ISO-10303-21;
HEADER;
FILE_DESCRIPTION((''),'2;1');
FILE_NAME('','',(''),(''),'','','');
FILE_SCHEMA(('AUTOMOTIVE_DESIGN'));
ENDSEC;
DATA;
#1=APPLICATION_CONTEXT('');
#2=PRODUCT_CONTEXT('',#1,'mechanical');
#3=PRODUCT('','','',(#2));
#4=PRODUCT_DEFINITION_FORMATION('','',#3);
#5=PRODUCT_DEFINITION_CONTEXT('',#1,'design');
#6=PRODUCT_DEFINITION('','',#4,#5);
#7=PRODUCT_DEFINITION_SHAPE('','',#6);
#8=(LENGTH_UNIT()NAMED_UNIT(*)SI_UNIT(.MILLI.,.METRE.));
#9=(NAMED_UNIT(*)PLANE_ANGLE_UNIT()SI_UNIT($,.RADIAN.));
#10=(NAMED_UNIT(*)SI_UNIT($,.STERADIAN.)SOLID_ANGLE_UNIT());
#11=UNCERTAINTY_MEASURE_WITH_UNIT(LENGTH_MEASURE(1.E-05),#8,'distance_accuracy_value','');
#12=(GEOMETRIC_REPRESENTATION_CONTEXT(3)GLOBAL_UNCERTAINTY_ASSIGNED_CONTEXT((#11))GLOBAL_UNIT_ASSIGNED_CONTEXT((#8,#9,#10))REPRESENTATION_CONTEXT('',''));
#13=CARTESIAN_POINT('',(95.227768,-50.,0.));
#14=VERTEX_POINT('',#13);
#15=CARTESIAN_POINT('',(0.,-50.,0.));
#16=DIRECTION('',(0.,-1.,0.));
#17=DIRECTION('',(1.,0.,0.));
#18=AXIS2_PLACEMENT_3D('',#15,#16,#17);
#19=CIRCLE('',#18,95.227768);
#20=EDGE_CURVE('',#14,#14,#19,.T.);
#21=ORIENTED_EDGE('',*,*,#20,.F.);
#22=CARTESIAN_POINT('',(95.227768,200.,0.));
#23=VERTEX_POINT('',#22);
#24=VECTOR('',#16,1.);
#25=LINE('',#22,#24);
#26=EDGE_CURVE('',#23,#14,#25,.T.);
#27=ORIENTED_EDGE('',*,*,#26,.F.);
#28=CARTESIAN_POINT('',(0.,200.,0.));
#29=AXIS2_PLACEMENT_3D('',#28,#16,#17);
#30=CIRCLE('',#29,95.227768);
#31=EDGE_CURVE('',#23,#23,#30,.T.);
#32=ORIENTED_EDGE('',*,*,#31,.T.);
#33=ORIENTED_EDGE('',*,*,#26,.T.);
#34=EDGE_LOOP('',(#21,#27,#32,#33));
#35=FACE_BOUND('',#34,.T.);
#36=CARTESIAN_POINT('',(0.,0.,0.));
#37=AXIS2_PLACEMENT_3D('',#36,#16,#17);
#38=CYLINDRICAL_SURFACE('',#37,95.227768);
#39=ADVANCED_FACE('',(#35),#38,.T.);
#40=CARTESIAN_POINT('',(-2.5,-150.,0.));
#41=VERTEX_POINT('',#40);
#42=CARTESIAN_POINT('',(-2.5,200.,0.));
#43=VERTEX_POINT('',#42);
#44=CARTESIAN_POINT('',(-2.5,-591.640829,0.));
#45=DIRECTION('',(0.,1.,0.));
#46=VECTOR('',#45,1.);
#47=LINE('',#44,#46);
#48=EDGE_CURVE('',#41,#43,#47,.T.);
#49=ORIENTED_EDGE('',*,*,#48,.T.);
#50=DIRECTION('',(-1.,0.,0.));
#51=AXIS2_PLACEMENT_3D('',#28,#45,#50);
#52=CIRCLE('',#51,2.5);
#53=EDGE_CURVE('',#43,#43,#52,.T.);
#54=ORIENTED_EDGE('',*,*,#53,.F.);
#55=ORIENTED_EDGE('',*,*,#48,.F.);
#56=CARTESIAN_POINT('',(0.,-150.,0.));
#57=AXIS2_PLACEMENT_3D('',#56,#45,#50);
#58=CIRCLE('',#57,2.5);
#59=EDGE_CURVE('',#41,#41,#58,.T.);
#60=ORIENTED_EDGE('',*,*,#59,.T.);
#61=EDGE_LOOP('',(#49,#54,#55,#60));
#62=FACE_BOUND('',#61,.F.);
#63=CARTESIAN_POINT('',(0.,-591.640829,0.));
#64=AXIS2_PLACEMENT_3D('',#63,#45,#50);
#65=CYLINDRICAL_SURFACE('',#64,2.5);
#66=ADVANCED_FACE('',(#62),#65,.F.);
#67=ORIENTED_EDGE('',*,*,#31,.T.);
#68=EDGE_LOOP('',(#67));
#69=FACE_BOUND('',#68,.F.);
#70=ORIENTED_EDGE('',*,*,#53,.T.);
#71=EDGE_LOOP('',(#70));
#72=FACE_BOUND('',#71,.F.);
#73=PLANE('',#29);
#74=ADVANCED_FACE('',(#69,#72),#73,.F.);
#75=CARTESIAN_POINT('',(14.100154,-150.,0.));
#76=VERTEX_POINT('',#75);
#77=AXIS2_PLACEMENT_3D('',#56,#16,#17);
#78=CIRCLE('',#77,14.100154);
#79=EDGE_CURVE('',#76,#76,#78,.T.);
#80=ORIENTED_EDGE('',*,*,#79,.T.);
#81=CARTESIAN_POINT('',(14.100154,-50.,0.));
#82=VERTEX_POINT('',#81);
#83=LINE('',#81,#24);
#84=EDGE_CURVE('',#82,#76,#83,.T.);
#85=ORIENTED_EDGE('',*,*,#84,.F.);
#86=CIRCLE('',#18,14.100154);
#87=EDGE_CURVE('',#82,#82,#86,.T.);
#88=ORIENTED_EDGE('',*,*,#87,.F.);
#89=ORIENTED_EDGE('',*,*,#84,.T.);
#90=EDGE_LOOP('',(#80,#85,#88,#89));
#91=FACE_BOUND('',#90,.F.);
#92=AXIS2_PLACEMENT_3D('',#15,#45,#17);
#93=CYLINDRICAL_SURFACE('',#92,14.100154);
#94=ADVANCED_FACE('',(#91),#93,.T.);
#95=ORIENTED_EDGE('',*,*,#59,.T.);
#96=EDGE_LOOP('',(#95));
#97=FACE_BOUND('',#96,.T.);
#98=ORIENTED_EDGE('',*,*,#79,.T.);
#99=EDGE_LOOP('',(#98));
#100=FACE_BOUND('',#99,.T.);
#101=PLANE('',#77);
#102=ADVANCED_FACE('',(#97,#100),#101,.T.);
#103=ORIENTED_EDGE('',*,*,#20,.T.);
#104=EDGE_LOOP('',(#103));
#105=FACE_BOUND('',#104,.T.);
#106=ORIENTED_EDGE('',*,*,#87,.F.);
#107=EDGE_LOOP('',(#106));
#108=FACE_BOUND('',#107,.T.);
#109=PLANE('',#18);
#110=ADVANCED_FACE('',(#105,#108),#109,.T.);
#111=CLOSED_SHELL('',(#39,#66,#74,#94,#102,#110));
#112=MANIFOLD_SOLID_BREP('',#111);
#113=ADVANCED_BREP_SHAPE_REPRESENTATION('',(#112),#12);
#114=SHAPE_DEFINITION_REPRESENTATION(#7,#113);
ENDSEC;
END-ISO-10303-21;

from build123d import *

# Parameters (mm, degrees)
F0_R     = 95.2277676599
F1_DEPTH = 50
F2_R     = 14.1001536821
F3_DEPTH = 100
F4_DEPTH = 200
F6_D     = 5


with BuildPart() as f1:
    # F0 (on Front) → F1 (new body)
    with BuildSketch(Plane.XZ):
        Circle(F0_R)
    extrude(amount=F1_DEPTH)

    # F2 (on face) → F3 (join)
    with BuildSketch(Plane.XZ.offset(50)):
        Circle(F2_R)
    extrude(amount=F3_DEPTH)

    # F4 (add): a face of the model
    f4_faces = [f1.faces().sort_by_distance(p)[0] for p in [
        (0, 0, 0),
    ]]
    extrude(f4_faces, amount=F4_DEPTH)

    # F6 (through all)
    with Locations(Plane.XZ.offset(150)):
        with Locations((0, 0)):
            Hole(F6_D / 2)


solid = f1.part
